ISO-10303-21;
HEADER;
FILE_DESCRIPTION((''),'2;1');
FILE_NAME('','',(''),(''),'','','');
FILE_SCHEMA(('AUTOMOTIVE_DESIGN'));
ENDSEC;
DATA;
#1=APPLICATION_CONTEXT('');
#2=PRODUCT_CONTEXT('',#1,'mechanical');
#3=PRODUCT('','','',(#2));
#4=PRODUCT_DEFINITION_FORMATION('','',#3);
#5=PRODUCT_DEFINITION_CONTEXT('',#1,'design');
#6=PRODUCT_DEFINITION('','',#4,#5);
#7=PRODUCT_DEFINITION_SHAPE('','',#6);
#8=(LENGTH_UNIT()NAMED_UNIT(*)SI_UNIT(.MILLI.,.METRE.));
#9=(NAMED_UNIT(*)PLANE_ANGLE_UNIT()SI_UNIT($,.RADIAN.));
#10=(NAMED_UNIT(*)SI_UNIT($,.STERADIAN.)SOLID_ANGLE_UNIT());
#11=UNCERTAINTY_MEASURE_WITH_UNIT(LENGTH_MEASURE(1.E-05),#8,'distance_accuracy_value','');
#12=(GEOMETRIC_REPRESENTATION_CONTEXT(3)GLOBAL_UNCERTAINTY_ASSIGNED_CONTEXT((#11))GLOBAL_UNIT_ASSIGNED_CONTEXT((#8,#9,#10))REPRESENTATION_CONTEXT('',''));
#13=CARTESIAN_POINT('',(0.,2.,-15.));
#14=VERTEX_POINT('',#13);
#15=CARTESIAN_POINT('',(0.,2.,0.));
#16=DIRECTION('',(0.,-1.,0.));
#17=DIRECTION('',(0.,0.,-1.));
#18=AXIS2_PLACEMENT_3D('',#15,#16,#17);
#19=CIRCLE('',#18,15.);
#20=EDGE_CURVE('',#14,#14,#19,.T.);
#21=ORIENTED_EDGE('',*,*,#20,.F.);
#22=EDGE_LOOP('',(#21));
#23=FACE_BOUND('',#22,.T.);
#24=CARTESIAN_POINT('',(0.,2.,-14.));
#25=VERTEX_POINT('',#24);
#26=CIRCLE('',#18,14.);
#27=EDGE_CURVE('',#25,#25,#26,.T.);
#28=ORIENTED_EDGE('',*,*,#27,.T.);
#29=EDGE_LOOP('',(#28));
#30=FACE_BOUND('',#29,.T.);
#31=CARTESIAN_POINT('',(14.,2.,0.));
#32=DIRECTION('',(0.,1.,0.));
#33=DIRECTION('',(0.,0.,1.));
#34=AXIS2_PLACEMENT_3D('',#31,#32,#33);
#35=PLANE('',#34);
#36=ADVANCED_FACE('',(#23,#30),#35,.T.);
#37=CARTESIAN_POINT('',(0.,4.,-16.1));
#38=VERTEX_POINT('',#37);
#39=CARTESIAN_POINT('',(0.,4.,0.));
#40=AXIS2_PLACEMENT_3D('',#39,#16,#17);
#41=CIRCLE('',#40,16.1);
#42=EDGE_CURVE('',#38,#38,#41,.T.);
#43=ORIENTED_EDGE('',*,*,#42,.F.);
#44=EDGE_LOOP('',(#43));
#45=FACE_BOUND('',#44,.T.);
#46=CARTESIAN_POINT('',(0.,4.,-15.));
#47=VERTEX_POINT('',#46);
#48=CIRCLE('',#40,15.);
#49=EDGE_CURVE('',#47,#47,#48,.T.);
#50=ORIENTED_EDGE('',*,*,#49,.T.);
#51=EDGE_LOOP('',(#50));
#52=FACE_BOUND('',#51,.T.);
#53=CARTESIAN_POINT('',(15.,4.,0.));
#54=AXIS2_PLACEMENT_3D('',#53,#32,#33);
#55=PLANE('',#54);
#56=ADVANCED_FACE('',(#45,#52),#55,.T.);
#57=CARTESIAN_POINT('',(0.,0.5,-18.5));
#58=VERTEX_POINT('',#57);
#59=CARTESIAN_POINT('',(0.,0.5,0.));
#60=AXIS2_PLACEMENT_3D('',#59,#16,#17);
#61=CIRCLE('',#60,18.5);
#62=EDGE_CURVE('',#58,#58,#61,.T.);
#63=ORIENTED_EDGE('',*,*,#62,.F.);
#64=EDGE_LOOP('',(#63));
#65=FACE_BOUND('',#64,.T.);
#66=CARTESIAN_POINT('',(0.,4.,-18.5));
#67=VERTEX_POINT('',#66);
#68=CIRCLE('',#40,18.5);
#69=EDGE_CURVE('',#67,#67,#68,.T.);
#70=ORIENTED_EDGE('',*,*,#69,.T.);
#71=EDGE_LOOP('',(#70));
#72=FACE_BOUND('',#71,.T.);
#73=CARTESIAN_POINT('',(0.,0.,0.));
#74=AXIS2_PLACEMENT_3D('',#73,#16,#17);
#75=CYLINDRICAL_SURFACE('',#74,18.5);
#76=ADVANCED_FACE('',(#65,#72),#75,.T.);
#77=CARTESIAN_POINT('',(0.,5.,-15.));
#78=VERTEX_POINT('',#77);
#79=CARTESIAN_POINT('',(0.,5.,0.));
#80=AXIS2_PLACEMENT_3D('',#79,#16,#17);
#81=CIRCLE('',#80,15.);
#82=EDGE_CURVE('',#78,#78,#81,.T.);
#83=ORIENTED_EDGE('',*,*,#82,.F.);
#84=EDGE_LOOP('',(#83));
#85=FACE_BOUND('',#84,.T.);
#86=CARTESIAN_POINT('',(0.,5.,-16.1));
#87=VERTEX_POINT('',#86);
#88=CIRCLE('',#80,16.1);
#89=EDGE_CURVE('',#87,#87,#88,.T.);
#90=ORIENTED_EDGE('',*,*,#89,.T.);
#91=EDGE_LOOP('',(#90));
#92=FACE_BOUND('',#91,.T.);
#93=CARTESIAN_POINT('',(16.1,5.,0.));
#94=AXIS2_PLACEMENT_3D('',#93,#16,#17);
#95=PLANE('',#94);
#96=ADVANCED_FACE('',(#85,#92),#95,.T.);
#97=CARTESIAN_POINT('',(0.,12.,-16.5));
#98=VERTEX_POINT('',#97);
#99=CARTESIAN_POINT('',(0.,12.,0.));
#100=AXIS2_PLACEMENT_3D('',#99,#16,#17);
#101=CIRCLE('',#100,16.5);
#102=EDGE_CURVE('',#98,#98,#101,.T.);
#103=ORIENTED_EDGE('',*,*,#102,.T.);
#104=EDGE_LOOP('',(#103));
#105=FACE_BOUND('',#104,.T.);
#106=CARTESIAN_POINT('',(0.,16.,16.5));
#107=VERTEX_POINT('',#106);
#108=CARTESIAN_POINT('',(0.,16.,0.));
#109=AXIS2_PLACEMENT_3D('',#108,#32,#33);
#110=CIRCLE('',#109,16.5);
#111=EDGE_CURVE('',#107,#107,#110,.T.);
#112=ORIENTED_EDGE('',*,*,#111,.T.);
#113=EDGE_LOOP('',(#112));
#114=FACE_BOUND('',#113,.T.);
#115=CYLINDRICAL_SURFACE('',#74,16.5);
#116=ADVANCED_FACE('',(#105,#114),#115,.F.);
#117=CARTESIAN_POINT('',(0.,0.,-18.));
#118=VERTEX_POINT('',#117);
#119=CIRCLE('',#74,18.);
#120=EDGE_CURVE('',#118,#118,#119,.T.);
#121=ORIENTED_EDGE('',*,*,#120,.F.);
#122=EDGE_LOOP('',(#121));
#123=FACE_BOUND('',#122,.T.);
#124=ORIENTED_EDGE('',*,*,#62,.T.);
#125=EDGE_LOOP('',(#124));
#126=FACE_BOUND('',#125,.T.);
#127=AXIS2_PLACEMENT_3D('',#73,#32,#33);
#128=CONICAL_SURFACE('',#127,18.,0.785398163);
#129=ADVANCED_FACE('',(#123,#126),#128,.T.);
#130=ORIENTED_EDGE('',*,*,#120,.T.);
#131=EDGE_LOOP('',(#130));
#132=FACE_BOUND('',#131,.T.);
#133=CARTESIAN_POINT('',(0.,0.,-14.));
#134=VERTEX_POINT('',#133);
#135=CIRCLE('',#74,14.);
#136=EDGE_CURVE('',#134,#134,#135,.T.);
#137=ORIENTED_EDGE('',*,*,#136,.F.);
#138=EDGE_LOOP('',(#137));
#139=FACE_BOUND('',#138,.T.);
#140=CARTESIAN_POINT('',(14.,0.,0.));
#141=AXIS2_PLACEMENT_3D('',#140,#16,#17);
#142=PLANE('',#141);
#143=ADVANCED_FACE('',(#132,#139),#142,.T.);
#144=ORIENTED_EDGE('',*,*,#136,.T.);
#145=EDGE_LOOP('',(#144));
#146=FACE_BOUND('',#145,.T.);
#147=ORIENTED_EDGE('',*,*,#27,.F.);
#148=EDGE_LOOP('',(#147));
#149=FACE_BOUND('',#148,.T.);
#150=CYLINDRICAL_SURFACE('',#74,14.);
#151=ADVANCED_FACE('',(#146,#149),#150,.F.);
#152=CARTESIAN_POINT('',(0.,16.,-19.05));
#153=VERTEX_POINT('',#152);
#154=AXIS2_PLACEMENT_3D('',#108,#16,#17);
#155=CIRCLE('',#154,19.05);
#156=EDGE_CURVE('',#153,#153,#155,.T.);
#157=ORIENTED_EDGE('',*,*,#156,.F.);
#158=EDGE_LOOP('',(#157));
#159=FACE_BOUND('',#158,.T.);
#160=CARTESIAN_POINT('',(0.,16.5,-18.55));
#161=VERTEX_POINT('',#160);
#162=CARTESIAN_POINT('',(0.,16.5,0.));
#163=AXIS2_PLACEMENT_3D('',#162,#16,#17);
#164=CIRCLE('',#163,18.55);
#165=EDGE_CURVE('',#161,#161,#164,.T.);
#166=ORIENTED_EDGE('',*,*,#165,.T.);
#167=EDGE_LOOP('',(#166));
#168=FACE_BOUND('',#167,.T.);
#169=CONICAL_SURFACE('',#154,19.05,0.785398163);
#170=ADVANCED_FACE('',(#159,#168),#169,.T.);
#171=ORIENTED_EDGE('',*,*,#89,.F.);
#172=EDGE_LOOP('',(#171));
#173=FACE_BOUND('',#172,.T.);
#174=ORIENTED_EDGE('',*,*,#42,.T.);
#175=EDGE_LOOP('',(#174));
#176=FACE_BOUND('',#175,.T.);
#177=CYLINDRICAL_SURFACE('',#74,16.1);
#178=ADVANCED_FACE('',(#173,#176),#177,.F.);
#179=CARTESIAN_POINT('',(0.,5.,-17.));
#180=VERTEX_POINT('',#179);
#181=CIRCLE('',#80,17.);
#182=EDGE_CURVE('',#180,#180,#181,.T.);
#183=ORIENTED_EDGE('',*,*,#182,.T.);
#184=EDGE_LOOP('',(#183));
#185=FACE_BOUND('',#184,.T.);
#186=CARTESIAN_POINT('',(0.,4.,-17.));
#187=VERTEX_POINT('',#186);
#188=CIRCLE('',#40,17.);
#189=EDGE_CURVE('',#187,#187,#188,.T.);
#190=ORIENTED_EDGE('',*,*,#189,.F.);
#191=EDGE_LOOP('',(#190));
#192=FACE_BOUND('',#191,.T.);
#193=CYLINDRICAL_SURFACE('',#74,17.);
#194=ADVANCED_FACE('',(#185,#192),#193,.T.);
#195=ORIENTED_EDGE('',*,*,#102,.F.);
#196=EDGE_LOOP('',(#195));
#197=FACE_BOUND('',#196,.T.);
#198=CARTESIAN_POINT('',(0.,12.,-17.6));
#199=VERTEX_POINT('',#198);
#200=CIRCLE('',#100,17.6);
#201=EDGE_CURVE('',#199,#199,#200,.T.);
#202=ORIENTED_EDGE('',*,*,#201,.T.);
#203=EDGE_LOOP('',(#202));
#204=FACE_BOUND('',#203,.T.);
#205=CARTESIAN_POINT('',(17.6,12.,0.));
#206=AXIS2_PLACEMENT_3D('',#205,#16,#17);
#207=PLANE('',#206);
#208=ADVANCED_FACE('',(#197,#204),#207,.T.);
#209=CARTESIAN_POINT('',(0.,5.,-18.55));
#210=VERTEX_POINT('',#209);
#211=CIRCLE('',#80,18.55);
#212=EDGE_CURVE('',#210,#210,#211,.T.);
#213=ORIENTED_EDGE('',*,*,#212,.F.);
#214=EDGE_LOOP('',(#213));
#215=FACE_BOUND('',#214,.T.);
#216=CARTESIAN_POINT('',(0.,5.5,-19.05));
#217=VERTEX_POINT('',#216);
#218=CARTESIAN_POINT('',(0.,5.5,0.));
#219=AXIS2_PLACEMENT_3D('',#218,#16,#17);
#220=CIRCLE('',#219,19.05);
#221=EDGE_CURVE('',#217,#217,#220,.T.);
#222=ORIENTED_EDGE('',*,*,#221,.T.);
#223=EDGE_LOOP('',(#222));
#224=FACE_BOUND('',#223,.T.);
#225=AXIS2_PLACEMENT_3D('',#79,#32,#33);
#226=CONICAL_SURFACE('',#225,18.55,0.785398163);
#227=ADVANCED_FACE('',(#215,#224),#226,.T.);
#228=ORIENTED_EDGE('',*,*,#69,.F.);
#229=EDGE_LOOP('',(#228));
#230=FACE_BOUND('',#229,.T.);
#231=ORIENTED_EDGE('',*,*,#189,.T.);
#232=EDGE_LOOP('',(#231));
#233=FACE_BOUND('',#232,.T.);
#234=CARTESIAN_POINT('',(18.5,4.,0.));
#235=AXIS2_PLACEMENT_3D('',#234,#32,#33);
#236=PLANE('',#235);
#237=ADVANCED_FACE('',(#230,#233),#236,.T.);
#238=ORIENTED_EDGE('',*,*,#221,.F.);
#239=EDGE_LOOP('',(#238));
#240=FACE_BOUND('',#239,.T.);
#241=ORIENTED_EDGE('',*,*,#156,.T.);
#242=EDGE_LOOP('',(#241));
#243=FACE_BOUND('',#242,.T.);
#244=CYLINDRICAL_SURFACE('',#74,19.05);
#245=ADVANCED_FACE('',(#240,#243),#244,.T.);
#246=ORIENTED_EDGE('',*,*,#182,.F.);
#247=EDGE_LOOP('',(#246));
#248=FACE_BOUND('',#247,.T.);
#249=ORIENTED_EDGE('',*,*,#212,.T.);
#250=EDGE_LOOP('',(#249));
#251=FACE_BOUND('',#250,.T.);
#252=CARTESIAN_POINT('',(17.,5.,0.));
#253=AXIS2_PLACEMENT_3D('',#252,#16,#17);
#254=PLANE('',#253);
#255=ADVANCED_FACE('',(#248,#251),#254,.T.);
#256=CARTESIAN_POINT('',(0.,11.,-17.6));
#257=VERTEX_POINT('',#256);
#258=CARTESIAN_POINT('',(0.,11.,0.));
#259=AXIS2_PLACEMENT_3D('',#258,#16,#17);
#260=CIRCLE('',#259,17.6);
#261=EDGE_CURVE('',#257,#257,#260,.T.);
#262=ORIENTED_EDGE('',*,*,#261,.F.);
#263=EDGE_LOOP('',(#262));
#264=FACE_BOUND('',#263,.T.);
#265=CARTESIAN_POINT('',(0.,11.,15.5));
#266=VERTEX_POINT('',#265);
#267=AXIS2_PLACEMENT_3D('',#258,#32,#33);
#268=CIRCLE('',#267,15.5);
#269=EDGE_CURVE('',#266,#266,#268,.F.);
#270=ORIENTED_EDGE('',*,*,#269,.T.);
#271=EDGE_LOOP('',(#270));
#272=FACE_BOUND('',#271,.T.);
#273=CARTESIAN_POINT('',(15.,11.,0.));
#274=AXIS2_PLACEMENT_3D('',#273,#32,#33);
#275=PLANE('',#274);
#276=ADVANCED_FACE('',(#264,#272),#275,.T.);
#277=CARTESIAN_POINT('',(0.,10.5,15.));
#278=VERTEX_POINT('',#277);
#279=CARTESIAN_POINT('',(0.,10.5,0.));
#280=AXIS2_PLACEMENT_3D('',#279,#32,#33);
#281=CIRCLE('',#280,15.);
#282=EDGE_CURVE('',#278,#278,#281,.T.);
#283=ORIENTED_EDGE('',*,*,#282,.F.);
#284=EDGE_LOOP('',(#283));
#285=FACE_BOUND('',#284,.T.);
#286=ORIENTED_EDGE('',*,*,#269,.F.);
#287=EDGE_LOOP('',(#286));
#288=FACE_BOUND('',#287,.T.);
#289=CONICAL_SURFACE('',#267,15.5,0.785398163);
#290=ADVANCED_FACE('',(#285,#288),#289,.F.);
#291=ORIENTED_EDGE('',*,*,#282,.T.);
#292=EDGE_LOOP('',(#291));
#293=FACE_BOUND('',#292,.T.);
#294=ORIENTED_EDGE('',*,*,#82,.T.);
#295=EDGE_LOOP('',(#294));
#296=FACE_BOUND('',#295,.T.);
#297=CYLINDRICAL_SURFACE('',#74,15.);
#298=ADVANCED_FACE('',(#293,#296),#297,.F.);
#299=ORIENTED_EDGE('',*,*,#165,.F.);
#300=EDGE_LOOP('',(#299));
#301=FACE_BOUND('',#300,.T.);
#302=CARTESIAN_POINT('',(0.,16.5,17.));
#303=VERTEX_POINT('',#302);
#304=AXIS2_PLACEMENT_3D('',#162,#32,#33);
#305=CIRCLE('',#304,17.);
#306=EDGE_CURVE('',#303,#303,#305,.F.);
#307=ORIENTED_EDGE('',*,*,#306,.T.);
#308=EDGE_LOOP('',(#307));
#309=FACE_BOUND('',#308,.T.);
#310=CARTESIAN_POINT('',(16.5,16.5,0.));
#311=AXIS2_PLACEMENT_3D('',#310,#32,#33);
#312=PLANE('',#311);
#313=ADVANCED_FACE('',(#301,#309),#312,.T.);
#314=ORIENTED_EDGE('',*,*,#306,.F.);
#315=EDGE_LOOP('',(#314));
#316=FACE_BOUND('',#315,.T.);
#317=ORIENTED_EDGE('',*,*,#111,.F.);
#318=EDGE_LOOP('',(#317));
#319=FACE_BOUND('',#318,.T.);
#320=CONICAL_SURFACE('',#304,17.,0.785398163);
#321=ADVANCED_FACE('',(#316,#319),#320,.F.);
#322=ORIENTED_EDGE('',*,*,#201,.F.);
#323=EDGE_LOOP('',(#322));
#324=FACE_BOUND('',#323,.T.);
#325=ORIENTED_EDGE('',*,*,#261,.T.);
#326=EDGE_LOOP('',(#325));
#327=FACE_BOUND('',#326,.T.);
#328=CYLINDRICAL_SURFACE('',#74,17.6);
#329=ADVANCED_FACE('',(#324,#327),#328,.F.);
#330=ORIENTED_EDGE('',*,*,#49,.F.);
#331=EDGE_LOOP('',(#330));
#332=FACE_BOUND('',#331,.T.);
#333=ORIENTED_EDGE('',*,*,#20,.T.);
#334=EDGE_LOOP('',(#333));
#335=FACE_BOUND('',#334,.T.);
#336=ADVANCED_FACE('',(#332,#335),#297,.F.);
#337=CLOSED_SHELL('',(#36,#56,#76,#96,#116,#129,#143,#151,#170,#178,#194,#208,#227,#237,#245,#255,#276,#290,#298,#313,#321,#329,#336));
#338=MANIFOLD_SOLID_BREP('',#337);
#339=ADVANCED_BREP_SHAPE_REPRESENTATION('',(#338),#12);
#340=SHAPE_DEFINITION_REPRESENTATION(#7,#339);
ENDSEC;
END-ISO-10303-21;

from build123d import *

# Parameters (mm, degrees)
CHAMFER_1_SIZE = 0.5


with BuildPart() as part:
    # 草图1 → 旋转1 (revolve)
    with BuildSketch(Plane.XY, mode=Mode.PRIVATE) as revolve_1_sk:
        Polygon((14, 0), (14, 2), (15, 2), (15, 4), (16.1, 4), (16.1, 5), (15, 5), (15, 11), (17.6, 11), (17.6, 12), (16.5, 12), (16.5, 16.5), (18.55, 16.5), (19.05, 16), (19.05, 5.5), (18.55, 5), (17, 5), (17, 4), (18.5, 4), (18.5, 0.5), (18, 0), align=None)
    revolve(revolve_1_sk.sketch.rotate(Axis((0, 0, 0), (0, 1, 0)), 90), axis=Axis((0, 0, 0), (0, 1, 0)))  # turned: the seam where the file's is

    # 倒角1
    chamfer_1_edges = [part.edges().sort_by_distance(p)[0] for p in [
        (0, 11, 15),
        (0, 16.5, 16.5),
    ]]
    chamfer(chamfer_1_edges, length=CHAMFER_1_SIZE)


solid = part.part
